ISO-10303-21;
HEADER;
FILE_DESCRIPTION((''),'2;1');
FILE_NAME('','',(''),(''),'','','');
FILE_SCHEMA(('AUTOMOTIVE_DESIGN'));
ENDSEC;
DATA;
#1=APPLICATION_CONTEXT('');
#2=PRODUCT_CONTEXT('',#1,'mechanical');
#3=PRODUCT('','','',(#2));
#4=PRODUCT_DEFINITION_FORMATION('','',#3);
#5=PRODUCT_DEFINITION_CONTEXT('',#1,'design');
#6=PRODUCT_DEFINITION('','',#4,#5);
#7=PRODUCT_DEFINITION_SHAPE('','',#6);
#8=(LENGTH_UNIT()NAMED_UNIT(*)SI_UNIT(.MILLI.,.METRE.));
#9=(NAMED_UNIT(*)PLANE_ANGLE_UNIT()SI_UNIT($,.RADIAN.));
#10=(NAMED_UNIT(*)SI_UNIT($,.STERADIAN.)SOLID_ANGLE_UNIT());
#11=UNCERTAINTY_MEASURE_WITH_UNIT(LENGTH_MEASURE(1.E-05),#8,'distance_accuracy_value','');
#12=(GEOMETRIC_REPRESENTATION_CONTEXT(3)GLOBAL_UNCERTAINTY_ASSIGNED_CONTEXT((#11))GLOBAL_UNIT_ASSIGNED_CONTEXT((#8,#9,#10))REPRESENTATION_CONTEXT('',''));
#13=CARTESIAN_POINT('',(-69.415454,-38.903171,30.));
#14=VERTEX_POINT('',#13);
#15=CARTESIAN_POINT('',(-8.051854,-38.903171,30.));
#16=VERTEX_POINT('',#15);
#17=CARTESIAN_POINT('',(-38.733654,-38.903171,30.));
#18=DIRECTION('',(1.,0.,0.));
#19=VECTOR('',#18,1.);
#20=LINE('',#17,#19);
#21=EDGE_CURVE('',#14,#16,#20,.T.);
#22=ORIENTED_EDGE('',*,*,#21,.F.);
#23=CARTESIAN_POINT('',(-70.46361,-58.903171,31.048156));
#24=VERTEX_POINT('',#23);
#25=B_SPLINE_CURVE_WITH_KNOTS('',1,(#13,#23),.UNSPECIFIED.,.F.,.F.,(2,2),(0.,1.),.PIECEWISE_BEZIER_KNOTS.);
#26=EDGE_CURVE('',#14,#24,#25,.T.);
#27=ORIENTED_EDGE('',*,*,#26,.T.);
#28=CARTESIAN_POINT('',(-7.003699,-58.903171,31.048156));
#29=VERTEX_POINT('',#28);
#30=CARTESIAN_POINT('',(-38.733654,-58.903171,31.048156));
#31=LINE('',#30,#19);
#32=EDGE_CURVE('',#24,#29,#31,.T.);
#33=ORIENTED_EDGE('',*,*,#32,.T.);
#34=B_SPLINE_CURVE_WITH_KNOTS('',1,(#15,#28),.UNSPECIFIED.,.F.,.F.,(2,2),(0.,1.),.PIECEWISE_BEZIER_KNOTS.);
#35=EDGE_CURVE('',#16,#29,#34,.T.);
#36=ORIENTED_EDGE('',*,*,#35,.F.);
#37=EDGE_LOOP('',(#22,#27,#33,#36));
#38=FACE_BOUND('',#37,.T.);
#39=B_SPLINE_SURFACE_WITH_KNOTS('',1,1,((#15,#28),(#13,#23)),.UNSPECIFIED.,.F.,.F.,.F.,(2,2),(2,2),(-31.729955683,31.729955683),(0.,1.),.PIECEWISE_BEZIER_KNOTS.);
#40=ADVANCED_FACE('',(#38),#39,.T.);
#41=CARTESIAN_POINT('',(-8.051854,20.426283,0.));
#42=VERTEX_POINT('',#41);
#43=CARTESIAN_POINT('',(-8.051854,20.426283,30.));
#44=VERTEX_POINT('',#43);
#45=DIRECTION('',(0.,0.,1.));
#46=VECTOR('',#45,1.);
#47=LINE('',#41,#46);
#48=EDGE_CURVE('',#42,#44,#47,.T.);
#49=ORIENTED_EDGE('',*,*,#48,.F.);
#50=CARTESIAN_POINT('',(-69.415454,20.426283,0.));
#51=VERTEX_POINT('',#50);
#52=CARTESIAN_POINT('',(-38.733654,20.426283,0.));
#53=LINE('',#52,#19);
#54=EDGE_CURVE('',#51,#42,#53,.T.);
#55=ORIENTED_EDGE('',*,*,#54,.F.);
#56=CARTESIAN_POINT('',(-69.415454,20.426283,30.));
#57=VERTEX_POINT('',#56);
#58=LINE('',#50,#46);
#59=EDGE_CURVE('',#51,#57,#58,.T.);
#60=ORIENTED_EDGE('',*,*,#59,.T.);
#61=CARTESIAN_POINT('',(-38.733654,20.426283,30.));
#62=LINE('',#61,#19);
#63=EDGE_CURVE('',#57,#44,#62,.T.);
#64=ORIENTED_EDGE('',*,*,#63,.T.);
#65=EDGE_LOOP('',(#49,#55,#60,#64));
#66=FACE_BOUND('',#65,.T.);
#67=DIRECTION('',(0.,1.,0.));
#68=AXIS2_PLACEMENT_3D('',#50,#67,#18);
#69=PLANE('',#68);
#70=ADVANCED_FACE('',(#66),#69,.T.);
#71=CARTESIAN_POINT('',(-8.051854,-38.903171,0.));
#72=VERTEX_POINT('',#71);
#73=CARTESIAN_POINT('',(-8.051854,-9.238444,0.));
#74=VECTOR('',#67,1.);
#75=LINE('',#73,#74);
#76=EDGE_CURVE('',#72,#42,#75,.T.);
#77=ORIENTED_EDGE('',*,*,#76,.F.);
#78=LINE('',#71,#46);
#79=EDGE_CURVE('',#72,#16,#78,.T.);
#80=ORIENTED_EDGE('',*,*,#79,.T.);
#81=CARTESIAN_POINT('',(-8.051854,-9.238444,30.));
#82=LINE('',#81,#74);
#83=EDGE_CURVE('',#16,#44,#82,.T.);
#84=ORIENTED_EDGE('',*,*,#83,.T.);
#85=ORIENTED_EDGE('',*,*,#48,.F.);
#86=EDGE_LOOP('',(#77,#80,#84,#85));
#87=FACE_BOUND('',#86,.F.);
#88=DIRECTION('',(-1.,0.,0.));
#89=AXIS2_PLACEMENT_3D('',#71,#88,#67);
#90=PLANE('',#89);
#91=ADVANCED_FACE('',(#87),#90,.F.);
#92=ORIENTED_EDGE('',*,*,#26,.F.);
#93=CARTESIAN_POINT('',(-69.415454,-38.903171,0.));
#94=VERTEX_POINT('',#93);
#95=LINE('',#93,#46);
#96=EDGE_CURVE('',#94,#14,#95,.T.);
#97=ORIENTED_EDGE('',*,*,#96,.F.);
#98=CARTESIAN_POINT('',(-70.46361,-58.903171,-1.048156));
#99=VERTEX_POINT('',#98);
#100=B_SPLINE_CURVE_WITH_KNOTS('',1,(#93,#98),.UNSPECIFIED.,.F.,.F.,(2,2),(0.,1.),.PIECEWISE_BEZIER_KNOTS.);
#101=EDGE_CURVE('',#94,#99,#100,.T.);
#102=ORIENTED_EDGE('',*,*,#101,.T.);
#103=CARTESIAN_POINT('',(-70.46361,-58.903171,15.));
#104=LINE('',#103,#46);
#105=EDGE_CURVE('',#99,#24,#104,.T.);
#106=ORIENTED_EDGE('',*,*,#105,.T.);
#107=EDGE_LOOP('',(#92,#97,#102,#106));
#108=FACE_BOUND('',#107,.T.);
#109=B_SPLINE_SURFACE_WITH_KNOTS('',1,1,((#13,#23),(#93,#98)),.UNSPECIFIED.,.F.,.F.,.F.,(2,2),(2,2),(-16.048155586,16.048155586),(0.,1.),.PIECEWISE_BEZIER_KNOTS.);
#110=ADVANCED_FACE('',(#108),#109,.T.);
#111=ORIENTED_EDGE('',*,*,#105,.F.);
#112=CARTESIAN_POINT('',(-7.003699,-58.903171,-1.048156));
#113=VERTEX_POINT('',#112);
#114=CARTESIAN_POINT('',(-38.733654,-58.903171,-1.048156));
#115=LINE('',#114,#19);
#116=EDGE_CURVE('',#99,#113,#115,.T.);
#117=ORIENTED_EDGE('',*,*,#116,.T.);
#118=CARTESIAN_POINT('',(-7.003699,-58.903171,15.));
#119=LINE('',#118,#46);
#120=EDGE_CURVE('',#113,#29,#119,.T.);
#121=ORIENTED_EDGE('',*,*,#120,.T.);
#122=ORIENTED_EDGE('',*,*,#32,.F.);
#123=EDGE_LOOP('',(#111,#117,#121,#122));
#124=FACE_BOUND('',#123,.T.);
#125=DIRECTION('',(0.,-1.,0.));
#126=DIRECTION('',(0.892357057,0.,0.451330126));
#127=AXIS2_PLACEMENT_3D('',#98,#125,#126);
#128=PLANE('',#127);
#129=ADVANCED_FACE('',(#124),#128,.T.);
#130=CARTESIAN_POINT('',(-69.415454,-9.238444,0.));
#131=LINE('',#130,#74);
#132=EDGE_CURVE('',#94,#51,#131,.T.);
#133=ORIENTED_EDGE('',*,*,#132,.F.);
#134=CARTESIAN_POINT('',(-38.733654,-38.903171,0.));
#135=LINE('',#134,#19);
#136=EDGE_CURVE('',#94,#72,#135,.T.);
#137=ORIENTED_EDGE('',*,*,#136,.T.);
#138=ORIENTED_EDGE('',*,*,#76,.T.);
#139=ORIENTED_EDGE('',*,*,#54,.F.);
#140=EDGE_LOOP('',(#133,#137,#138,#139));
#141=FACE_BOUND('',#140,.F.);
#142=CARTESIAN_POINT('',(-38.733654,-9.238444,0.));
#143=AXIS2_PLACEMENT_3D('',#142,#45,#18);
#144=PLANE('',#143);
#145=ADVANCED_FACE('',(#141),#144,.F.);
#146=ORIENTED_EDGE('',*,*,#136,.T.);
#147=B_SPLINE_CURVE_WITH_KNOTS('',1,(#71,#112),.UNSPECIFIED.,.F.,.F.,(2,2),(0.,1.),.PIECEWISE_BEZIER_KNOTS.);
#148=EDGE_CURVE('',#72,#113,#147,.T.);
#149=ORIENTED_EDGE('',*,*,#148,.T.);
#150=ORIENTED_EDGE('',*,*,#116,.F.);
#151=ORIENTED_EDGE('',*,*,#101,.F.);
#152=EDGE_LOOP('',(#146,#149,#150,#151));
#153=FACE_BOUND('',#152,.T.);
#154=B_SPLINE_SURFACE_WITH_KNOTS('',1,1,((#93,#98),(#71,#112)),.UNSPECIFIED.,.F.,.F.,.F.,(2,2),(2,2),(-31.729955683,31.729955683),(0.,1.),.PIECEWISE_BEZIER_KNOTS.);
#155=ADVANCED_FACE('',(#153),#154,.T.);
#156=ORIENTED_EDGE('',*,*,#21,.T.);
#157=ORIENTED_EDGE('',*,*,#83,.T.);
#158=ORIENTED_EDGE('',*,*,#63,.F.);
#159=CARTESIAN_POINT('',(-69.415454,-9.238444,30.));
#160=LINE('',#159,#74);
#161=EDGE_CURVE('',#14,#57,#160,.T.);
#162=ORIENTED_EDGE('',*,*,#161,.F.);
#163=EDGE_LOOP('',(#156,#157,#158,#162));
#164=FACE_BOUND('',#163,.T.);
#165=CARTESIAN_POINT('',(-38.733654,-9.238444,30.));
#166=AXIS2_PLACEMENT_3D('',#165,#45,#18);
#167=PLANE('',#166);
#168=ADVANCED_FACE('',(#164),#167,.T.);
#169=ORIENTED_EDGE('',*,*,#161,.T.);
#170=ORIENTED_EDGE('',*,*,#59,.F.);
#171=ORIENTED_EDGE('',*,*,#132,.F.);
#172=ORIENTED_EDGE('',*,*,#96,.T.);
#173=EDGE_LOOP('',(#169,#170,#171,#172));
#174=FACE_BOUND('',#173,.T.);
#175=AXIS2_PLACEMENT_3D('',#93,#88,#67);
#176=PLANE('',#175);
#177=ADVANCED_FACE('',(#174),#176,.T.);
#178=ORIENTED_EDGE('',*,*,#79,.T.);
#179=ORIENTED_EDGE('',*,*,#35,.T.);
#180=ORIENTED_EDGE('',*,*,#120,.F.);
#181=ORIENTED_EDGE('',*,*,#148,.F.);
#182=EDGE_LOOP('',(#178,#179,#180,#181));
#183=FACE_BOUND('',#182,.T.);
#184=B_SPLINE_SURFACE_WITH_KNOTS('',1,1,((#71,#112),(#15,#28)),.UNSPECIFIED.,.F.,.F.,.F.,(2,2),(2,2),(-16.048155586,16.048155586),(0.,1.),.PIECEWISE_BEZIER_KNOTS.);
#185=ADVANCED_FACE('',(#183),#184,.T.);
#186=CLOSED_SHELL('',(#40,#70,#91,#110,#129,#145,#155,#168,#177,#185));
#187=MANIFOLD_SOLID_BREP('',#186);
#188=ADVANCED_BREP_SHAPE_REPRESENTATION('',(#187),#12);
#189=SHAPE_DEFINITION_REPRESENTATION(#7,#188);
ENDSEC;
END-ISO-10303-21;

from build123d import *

# Parameters (mm, degrees)
F0_W      = 61.3636001945
F0_H      = 59.3294538558
F1_DEPTH  = 30
F1_FACE_W = 61.3636001945
F1_FACE_H = 30
F2_DEPTH  = 20
F2_TAPER  = -3


with BuildPart() as f1:
    # F0 (on Top) → F1 (new body)
    with BuildSketch(Plane.XY):
        with Locations((-38.7336541899, -9.2384442687)):
            Rectangle(F0_W, F0_H)
    extrude(amount=F1_DEPTH)

    # F1_face (on face) → F2 (join)
    with BuildSketch(Plane(origin=(-38.7336541899, -38.9031711966, 15), x_dir=(1, 0, 0), z_dir=(0, -1, 0))):
        Rectangle(F1_FACE_W, F1_FACE_H)
    extrude(amount=F2_DEPTH, taper=F2_TAPER)


solid = f1.part
